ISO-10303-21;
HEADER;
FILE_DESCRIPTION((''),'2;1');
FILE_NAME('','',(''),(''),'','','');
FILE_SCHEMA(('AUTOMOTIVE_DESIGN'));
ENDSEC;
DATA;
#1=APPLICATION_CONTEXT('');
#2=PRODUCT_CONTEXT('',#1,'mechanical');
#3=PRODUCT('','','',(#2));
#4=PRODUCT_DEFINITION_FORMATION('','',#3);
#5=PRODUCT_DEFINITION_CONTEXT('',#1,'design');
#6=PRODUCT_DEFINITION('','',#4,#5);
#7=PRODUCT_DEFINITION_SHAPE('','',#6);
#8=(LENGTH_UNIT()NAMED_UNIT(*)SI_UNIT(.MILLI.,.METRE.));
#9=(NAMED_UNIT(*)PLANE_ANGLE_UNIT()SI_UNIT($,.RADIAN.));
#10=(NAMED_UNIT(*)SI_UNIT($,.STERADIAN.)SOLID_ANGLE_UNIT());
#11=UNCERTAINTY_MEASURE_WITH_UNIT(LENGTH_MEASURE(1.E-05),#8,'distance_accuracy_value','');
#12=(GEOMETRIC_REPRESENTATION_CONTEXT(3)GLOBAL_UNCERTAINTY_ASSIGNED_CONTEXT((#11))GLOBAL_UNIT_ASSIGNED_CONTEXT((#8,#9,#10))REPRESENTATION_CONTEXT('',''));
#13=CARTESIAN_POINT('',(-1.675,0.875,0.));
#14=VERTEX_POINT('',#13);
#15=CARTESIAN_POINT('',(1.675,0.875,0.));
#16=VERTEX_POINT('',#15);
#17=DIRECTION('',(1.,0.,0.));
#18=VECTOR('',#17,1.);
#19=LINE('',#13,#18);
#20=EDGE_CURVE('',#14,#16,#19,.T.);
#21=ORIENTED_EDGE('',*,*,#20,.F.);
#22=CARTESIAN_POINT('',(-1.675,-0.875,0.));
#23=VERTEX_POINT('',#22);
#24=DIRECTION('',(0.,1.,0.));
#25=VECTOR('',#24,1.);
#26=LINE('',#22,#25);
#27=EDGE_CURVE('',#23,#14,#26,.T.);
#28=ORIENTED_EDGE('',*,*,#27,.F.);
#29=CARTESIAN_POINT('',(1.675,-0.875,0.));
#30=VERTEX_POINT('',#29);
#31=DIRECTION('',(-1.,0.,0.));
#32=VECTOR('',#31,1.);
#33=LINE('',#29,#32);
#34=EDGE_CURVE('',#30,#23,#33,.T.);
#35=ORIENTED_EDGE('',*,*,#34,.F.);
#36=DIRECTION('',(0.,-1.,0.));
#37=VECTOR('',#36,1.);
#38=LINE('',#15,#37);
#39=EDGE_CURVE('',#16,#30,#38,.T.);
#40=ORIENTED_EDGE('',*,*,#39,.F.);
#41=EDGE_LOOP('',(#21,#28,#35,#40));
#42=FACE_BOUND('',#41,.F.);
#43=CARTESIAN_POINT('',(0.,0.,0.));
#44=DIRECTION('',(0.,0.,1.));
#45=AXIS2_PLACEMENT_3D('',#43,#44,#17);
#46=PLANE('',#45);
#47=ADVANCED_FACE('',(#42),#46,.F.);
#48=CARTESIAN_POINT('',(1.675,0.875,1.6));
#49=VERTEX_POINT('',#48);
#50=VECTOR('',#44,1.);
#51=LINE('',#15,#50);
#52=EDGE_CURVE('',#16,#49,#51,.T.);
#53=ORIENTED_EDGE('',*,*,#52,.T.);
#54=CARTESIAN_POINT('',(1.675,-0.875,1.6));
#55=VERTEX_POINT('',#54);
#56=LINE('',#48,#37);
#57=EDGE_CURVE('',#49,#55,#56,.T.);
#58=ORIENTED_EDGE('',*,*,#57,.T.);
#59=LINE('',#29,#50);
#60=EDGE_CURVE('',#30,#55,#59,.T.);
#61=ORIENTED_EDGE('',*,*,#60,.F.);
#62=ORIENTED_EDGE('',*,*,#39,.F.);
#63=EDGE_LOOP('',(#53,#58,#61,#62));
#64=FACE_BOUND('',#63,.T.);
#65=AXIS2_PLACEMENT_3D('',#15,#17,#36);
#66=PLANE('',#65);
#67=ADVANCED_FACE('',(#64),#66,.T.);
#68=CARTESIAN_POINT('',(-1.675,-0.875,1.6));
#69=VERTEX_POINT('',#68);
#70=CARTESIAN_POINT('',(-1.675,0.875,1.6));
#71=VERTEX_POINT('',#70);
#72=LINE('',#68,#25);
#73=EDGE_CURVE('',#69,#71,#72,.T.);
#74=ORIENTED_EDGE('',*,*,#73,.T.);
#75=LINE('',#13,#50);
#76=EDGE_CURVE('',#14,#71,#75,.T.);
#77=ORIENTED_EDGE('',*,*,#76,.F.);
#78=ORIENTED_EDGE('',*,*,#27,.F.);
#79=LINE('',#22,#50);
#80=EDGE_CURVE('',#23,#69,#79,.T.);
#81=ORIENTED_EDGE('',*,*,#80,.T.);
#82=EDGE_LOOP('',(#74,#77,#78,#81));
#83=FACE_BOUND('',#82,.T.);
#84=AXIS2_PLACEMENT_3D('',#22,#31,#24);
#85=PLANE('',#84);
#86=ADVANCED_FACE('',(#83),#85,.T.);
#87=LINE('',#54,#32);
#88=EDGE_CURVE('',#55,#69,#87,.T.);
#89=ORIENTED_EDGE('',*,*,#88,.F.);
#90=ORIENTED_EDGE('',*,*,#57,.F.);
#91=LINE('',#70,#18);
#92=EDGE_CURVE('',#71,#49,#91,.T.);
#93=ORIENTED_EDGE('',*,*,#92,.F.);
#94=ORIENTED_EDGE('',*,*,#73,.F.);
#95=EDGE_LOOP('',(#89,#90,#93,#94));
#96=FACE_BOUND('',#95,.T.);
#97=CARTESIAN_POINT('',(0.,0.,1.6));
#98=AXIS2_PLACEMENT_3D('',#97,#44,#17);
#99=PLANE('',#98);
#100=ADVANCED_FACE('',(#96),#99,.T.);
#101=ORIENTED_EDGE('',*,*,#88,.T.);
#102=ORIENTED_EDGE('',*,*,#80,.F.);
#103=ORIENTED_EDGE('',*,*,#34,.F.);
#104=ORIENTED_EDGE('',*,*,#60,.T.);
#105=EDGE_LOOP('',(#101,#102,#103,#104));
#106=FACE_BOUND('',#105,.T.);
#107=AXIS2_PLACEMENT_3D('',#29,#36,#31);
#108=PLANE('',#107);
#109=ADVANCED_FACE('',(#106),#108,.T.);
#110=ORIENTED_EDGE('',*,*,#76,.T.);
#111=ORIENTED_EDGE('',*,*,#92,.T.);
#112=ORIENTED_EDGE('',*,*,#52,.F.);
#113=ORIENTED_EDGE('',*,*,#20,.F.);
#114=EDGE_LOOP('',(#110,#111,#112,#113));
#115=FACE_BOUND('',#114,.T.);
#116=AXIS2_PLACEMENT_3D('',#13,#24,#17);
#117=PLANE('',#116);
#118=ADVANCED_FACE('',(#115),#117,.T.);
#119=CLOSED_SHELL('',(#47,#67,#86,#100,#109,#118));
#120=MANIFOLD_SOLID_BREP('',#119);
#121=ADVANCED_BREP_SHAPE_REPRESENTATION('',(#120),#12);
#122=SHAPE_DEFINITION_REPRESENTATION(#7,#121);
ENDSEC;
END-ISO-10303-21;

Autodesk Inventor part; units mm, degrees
ref_plane "YZ Plane" through (0, 0, 0) normal (1, 0, 0) x (0, 1, 0)
ref_plane "XZ Plane" through (0, 0, 0) normal (0, 1, 0) x (-1, 0, 0)
ref_plane "XY Plane" through (0, 0, 0) normal (0, 0, 1) x (1, 0, 0)
sketch "C1206, 4.7uF_71" plane through (0, 0, 0) normal (0, 0, 1) x (1, 0, 0)
  line L0 (-1.675, 0.875) -> (1.675, 0.875)
  line L1 (1.675, 0.875) -> (1.675, -0.875)
  line L2 (1.675, -0.875) -> (-1.675, -0.875)
  line L3 (-1.675, -0.875) -> (-1.675, 0.875)
extrude "Extrusion1" add sketch "C1206, 4.7uF_71" along normal blind 1.6
properties part number "4.7uF"
